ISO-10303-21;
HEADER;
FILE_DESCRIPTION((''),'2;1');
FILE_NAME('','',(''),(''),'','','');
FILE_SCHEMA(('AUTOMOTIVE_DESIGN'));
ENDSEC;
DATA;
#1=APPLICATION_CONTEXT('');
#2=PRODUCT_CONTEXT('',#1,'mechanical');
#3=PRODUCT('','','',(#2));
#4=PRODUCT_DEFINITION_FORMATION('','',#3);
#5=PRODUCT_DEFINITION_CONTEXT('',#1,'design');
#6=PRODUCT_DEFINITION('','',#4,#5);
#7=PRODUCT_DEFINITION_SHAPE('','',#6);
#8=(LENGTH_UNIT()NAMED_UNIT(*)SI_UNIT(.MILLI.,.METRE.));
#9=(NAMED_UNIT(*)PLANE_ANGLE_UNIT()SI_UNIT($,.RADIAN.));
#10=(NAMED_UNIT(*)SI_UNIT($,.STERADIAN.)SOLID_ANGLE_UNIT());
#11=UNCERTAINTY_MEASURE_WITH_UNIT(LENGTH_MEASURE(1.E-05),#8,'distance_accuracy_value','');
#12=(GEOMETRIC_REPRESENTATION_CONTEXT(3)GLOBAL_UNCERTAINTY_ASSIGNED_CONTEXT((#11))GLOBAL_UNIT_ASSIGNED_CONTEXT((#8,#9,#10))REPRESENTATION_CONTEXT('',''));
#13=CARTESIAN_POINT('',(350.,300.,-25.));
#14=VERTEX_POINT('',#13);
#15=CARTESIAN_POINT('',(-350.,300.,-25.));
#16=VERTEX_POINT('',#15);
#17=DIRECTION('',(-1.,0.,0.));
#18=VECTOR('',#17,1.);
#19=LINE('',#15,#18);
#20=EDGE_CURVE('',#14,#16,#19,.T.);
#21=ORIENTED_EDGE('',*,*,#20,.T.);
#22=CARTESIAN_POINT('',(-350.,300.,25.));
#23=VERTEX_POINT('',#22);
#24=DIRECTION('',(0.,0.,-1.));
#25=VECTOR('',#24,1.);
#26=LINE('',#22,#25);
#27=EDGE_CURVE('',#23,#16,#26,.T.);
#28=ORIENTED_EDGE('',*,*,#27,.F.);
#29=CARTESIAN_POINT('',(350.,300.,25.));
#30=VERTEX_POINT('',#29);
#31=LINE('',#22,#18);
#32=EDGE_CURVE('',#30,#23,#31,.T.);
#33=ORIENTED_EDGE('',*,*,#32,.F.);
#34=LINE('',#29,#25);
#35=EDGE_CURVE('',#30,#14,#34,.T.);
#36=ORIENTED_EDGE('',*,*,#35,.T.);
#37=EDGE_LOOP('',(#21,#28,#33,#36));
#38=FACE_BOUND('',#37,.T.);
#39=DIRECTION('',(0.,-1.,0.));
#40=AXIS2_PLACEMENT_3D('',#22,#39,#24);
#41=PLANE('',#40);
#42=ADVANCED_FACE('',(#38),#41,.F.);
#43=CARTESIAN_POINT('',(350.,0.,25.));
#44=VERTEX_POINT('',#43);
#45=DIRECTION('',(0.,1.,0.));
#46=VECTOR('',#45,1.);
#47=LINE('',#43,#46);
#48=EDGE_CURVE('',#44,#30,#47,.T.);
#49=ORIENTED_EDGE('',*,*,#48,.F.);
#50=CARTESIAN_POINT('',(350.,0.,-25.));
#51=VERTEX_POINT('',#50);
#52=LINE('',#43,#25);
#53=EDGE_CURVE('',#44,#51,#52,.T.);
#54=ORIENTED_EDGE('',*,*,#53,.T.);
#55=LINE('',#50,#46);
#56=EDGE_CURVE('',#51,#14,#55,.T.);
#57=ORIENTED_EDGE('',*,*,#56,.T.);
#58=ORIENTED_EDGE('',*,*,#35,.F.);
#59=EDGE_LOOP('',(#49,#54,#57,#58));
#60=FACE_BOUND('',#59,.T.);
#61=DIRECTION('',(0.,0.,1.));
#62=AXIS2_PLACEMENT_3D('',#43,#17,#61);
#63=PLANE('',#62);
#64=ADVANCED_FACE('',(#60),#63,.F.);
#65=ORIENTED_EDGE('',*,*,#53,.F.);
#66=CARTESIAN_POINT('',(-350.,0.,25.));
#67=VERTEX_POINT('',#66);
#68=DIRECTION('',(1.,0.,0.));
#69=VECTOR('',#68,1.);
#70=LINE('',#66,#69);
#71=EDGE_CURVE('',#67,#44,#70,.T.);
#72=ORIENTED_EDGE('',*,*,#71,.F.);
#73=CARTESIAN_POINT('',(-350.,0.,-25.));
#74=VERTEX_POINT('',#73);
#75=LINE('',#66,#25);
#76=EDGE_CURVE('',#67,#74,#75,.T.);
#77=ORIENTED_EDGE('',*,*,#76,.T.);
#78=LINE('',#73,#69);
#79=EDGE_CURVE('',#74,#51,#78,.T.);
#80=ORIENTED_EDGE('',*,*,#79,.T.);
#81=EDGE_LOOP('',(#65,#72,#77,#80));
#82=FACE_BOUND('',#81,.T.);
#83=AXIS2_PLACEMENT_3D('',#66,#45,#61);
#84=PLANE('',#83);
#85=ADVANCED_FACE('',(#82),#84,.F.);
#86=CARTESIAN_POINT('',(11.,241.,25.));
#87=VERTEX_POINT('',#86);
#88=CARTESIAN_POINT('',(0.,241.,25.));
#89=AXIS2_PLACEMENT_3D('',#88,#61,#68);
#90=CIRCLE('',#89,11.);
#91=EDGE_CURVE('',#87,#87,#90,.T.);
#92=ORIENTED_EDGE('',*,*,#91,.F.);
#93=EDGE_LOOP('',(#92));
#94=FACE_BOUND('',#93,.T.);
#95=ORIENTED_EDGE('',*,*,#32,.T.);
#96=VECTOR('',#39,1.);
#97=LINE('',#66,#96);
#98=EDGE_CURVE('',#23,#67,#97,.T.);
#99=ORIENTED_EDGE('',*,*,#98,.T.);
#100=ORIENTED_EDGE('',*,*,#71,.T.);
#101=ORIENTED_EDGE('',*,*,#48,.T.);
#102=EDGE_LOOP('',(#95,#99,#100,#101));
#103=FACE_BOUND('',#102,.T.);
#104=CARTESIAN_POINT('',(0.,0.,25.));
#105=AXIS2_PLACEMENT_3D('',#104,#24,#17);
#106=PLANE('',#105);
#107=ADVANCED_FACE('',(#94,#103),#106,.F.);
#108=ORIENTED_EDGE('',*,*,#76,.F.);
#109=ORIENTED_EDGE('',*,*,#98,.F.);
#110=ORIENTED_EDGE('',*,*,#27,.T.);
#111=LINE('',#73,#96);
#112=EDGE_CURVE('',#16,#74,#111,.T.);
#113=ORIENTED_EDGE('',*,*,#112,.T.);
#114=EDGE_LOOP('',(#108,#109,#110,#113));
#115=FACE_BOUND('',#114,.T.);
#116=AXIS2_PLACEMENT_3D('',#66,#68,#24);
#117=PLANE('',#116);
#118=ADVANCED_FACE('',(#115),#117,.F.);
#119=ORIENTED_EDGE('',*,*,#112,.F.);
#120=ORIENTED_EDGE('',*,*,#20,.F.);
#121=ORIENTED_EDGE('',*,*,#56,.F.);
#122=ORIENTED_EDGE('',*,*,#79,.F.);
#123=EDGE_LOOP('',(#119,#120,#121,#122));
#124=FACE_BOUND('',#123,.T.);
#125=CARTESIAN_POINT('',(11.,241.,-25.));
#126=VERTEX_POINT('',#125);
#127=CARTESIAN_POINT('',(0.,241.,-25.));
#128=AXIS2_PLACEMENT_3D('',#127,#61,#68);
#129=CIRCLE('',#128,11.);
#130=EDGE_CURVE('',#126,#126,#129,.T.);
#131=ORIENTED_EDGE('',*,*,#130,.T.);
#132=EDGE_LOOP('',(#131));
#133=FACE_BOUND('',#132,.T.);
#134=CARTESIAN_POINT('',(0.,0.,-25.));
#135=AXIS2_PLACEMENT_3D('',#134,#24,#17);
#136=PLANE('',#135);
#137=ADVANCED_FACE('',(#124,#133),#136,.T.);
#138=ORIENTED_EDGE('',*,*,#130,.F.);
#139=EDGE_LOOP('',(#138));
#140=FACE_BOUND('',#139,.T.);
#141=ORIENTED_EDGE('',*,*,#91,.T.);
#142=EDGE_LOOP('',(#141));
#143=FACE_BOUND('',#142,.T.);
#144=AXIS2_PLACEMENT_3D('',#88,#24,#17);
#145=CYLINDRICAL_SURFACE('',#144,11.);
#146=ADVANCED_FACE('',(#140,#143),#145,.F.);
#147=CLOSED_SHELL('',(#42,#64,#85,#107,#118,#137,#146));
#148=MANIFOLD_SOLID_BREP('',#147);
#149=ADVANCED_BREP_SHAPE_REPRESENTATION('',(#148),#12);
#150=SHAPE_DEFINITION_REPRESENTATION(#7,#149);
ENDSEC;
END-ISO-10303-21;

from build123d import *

# Parameters (mm, degrees)
SKETCH1_W               = 700
SKETCH1_H               = 300
BOSS_EXTRUDE1_DEPTH     = 25
SKETCH2_R               = 11
CUT_EXTRUDE1_DEPTH      = 26
CUT_EXTRUDE1_DEPTH_BACK = 26


with BuildPart() as part:
    # Sketch1 → Boss-Extrude1 (new body, symmetric)
    with BuildSketch(Plane.XY):
        with Locations((0, 150)):
            Rectangle(SKETCH1_W, SKETCH1_H)
    extrude(amount=BOSS_EXTRUDE1_DEPTH, both=True)

    # Sketch2 → Cut-Extrude1 (cut, two sides)
    with BuildSketch(Plane.XY) as cut_extrude1_sk:
        with Locations((0, 241)):
            Circle(SKETCH2_R)
    extrude(amount=CUT_EXTRUDE1_DEPTH, mode=Mode.SUBTRACT)
    extrude(cut_extrude1_sk.sketch, amount=-CUT_EXTRUDE1_DEPTH_BACK, mode=Mode.SUBTRACT)


solid = part.part
